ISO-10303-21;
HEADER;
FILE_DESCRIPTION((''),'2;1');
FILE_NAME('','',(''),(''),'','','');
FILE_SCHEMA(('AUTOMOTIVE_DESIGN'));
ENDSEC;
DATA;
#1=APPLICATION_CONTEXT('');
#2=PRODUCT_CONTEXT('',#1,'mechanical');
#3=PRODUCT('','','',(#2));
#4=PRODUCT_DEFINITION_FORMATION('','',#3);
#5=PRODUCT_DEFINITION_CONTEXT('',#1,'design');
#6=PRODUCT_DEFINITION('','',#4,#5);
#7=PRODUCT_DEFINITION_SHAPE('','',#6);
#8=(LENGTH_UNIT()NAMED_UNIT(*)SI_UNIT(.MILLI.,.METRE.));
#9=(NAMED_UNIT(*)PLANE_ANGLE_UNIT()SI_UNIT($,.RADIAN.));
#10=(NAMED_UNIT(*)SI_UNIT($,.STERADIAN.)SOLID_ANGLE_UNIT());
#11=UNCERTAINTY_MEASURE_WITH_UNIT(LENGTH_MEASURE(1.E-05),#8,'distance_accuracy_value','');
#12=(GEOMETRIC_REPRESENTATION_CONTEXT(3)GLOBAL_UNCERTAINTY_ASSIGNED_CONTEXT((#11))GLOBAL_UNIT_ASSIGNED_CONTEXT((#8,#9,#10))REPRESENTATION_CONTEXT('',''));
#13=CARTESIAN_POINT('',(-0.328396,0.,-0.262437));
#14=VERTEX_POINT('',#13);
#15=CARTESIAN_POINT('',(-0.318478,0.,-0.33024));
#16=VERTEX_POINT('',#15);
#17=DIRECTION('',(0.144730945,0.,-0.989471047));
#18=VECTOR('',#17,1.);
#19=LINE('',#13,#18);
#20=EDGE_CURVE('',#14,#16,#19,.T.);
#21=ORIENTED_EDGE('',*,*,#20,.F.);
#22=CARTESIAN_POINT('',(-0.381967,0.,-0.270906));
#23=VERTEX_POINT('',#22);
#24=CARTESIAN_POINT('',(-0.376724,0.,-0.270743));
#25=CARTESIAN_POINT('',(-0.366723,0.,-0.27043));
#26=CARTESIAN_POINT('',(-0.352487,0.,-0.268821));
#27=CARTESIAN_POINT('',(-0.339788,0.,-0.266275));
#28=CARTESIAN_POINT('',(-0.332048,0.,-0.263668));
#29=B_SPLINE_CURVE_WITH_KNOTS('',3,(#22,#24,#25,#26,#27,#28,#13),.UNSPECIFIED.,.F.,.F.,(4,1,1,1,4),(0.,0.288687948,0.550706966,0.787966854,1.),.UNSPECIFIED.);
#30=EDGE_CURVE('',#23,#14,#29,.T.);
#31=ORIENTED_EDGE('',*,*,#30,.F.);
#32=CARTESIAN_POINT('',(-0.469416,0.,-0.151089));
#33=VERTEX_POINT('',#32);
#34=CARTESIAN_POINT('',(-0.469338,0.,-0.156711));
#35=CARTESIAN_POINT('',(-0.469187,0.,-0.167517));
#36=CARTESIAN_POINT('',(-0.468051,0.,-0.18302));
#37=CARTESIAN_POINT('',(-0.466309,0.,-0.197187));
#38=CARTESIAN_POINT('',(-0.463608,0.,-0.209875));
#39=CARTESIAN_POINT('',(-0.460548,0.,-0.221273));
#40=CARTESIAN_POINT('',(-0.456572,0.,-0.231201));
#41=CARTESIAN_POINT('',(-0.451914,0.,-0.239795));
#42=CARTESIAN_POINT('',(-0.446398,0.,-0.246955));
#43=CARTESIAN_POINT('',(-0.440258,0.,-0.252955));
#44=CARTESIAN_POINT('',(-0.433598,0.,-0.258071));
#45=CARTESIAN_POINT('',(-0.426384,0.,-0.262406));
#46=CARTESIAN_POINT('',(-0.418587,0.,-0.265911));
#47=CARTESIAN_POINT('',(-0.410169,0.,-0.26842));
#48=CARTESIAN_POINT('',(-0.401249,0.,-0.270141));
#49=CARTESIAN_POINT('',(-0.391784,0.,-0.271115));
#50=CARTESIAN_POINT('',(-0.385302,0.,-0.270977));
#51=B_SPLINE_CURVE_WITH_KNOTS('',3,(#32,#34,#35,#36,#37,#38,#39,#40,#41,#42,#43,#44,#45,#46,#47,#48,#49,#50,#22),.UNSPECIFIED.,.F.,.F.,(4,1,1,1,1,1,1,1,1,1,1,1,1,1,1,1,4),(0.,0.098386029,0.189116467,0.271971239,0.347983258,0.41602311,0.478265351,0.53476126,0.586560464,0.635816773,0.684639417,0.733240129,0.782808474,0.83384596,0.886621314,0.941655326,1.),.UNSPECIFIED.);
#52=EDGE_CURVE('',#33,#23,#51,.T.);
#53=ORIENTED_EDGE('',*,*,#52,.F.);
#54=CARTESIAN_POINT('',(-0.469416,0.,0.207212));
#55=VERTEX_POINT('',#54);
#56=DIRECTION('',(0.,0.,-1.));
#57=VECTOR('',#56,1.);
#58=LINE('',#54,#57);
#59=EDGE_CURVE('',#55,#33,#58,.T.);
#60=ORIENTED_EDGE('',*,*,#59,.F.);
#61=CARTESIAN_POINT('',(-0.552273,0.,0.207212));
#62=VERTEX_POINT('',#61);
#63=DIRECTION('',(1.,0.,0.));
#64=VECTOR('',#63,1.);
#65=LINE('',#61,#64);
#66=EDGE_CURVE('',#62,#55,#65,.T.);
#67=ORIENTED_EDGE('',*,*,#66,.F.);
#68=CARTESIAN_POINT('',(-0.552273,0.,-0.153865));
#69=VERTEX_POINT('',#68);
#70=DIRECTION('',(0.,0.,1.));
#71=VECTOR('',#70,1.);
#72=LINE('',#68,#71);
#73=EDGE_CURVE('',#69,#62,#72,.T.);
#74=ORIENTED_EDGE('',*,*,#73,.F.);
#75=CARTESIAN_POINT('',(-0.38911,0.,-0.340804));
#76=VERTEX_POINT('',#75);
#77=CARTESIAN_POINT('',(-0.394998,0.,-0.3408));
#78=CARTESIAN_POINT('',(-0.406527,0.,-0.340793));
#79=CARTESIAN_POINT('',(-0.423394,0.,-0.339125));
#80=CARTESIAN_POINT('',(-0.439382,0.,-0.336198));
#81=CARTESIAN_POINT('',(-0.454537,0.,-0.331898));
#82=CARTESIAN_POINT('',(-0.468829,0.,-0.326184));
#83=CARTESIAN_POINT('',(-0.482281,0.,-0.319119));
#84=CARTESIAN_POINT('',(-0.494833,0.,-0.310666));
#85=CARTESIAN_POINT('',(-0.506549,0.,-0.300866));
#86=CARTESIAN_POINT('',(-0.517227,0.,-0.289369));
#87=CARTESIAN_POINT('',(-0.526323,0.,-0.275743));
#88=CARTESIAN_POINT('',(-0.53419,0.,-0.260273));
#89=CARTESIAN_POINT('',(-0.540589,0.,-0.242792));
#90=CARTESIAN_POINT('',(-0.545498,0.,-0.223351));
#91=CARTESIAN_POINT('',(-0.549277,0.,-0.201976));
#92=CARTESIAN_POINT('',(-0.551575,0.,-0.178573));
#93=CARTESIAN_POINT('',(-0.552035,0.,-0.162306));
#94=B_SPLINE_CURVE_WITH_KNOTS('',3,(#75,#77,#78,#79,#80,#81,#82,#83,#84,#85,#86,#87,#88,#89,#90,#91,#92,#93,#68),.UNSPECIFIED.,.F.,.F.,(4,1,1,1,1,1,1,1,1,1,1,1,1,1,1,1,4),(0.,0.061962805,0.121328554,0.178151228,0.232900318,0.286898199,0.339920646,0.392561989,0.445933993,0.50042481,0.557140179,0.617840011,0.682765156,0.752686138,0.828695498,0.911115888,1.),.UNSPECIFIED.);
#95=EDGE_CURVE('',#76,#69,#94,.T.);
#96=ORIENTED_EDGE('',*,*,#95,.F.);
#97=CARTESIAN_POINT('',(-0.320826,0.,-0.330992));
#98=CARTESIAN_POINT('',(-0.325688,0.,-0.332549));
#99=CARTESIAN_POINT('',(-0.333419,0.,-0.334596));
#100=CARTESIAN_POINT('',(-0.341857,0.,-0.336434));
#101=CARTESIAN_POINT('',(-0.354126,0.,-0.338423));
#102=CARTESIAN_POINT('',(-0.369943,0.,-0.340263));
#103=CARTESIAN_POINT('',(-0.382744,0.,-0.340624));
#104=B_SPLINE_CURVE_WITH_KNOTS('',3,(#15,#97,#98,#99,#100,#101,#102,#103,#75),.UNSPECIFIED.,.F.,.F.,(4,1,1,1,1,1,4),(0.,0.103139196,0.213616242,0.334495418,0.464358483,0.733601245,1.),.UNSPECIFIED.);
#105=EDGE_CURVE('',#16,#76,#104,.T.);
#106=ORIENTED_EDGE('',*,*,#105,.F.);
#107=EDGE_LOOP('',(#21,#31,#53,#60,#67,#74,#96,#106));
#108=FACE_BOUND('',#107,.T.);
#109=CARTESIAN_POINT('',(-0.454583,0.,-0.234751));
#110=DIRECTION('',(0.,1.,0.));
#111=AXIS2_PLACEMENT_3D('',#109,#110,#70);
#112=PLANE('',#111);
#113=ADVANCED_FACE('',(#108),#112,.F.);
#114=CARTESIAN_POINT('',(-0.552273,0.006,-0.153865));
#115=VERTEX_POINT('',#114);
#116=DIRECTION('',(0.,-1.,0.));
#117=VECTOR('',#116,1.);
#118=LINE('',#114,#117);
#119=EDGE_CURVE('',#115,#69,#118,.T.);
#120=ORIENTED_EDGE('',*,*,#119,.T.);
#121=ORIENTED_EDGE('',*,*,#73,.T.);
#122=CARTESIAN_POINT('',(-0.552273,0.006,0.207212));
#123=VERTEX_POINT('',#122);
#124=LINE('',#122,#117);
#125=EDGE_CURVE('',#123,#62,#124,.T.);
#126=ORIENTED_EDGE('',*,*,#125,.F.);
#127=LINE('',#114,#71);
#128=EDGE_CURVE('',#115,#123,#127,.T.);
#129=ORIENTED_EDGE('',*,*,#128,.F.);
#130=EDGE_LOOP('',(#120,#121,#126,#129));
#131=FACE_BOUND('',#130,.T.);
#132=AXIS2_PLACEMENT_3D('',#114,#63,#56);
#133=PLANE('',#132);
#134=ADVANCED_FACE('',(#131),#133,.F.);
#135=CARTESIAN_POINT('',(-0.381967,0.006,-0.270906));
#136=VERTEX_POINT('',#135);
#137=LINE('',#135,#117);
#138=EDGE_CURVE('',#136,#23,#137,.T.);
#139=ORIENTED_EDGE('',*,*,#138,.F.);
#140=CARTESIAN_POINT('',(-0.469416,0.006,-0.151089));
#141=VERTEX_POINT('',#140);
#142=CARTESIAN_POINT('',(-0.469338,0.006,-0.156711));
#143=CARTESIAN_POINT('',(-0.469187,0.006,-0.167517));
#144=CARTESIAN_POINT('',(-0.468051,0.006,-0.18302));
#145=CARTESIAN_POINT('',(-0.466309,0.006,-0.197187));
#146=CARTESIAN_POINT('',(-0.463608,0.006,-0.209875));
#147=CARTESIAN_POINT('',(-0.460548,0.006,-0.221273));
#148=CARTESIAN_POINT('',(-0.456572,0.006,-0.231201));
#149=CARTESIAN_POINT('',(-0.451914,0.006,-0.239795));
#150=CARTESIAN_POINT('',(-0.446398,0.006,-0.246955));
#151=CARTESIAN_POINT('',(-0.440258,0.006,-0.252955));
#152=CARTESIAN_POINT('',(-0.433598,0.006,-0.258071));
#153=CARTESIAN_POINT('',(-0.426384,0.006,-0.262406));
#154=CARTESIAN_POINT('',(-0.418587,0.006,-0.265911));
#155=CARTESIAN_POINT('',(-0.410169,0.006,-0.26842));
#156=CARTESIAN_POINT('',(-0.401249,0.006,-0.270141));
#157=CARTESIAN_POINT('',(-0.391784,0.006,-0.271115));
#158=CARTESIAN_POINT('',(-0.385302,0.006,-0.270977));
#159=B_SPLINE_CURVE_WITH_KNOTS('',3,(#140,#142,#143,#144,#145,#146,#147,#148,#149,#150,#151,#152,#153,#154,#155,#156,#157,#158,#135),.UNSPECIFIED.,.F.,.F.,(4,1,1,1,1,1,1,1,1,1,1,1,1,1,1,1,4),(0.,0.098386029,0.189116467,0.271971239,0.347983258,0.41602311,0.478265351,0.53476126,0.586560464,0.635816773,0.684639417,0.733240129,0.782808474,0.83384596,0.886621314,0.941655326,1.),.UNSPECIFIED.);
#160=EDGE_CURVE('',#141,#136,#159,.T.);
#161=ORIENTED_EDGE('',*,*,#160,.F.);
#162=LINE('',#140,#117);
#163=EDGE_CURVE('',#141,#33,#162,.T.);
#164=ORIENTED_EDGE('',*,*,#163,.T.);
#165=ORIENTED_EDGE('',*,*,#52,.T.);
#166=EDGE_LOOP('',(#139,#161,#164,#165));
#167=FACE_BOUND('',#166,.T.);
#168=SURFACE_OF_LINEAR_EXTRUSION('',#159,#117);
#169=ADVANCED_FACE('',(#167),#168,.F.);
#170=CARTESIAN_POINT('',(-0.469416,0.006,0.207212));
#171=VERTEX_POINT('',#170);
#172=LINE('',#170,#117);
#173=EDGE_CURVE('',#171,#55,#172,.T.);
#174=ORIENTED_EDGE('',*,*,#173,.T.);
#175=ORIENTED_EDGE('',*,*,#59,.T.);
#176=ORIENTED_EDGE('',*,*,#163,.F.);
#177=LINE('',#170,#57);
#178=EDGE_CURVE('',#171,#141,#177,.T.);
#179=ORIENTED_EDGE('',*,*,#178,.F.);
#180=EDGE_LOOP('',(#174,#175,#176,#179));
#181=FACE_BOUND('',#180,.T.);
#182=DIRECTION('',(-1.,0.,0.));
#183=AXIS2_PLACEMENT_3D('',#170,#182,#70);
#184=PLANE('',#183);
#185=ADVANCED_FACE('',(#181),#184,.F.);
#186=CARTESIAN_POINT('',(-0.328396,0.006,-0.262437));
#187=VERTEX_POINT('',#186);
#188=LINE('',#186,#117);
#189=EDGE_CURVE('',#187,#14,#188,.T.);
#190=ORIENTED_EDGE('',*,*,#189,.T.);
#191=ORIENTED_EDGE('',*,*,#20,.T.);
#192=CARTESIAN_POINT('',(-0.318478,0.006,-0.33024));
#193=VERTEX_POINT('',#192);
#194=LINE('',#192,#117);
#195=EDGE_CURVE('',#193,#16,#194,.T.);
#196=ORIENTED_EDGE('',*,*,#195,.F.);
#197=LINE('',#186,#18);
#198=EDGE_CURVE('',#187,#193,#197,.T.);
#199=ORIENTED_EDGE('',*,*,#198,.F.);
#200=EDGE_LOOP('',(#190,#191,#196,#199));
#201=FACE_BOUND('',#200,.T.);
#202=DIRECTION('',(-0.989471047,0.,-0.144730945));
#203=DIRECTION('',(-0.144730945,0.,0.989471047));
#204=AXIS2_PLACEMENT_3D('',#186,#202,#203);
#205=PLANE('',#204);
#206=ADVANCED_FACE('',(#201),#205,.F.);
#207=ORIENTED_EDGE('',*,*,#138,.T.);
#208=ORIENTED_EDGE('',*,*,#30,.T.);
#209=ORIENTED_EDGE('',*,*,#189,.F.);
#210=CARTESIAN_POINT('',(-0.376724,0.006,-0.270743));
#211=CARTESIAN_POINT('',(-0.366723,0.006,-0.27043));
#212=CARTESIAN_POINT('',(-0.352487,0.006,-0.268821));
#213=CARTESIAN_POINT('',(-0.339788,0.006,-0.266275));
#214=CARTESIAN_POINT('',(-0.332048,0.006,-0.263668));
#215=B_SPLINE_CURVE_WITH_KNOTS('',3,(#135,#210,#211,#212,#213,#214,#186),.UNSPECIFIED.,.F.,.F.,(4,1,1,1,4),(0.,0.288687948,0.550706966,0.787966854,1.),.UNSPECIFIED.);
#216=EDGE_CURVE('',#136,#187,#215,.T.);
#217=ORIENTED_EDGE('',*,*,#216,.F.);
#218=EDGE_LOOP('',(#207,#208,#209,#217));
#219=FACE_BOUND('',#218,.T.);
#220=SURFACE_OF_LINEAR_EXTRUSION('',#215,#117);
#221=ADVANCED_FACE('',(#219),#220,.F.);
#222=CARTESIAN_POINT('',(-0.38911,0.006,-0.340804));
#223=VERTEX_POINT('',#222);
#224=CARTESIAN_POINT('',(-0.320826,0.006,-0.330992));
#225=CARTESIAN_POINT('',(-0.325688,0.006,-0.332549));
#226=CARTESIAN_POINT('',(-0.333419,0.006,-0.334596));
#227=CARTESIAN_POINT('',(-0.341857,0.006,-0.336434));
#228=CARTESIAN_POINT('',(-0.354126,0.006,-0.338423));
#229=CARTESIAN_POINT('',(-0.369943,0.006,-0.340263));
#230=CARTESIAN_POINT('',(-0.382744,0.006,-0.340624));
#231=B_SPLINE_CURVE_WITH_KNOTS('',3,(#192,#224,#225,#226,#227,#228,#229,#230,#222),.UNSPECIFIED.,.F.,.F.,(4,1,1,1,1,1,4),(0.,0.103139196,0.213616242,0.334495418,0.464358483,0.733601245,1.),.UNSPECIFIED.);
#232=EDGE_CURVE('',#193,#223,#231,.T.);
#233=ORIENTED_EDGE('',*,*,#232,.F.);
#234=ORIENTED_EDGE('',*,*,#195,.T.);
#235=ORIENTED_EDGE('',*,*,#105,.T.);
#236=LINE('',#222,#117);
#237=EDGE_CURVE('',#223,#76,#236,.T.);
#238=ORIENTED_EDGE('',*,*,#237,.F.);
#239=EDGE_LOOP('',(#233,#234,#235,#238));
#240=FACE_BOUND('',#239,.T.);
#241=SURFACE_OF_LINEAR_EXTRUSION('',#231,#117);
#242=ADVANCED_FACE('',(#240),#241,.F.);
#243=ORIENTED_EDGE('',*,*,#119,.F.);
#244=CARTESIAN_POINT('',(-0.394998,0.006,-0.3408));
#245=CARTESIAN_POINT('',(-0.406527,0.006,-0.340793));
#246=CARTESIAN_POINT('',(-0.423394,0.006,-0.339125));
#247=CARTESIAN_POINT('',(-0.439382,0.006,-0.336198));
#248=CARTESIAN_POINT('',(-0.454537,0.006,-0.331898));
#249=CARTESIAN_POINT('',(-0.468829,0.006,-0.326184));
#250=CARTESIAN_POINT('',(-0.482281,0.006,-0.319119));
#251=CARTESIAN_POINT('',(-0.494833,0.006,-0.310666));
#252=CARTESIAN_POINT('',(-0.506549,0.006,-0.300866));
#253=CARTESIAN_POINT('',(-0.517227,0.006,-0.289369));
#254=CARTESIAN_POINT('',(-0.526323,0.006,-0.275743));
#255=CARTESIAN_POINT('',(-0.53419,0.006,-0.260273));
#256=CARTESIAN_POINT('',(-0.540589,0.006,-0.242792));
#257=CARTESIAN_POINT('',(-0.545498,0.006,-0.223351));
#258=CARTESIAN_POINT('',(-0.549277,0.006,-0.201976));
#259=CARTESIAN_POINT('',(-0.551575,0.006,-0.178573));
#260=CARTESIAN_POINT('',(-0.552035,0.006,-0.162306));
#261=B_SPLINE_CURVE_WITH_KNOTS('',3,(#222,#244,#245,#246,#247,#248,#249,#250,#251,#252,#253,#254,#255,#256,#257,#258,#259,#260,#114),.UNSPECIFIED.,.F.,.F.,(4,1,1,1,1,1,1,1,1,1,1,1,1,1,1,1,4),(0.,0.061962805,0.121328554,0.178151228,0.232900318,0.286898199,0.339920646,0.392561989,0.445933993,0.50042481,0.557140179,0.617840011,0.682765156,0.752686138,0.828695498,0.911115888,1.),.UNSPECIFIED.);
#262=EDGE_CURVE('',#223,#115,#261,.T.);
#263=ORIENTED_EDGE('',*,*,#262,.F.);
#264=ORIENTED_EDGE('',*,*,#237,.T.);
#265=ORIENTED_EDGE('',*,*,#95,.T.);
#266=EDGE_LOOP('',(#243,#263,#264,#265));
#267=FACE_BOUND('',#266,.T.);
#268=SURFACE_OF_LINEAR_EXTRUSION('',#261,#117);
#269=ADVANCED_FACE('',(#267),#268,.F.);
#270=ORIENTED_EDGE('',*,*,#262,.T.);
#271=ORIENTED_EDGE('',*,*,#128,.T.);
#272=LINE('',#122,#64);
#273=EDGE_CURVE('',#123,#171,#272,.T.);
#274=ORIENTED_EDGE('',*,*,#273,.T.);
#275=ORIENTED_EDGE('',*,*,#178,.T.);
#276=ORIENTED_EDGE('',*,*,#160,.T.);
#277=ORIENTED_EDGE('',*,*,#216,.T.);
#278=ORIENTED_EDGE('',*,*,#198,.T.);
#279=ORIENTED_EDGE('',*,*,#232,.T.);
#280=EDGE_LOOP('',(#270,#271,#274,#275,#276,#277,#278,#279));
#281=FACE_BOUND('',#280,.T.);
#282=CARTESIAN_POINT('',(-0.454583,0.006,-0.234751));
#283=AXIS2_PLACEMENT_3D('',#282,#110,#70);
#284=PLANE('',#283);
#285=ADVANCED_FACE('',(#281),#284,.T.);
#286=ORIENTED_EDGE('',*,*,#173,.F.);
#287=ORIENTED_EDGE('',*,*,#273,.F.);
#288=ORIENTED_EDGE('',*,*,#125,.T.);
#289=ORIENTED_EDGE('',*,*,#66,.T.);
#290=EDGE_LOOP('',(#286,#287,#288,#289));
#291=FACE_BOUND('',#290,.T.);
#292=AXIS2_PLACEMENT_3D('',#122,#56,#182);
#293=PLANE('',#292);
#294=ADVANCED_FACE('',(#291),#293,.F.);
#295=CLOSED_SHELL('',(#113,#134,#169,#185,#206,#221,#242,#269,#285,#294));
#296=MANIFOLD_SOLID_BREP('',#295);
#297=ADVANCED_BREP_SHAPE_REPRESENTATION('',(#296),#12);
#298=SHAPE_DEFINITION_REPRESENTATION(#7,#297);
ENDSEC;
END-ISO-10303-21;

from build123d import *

# Parameters (mm, degrees)
EXTRUDE_1_DEPTH = 0.006


with BuildPart() as part:
    # Эскиз1 → Бобышка-Вытянуть1 (new body)
    with BuildSketch(Plane(origin=(0, 0, 0), x_dir=(1, 0, 0), z_dir=(0, 1, 0))):
        with BuildLine():
            Line((-0.552273294, -0.207212096), (-0.469416036, -0.207212096))
            Line((-0.469416036, -0.207212096), (-0.469416036, 0.15108915))
            add(Edge.make_bspline(
                [(-0.469416036, 0.15108915), (-0.469337668, 0.156710765), (-0.469187031, 0.167516567), (-0.468051363, 0.183019987), (-0.46630937, 0.197186892), (-0.463608191, 0.209875156), (-0.460547741, 0.221272508), (-0.456571693, 0.23120128), (-0.451914296, 0.239795103), (-0.446397888, 0.246954712), (-0.440258107, 0.252955311), (-0.433597544, 0.258071325), (-0.42638389, 0.262405578), (-0.418587315, 0.265910913), (-0.410168879, 0.268420499), (-0.401249065, 0.270140745), (-0.39178388, 0.27111474), (-0.385302473, 0.27097713), (-0.38196714, 0.270906316)],
                knots=[0, 0, 0, 0, 1.6863e-05, 3.2414e-05, 4.6615e-05, 5.9643e-05, 7.1304e-05, 8.1972e-05, 9.1656e-05, 0.000100534, 0.000108976, 0.000117344, 0.000125674, 0.00013417, 0.000142917, 0.000151963, 0.000161395, 0.000171395, 0.000171395, 0.000171395, 0.000171395], degree=3))
            add(Edge.make_bspline(
                [(-0.38196714, 0.270906316), (-0.376724267, 0.270742629), (-0.366722855, 0.270430378), (-0.352487182, 0.268821302), (-0.339787948, 0.266275374), (-0.332048262, 0.263667602), (-0.328395702, 0.262436926)],
                knots=[0, 0, 0, 0, 1.5731e-05, 3.0008e-05, 4.2936e-05, 5.449e-05, 5.449e-05, 5.449e-05, 5.449e-05], degree=3))
            Line((-0.328395702, 0.262436926), (-0.31847811, 0.330239773))
            add(Edge.make_bspline(
                [(-0.31847811, 0.330239773), (-0.320825798, 0.330991558), (-0.3256882, 0.332548615), (-0.333418866, 0.334595903), (-0.341857288, 0.336433721), (-0.354125933, 0.338423269), (-0.369943112, 0.340262822), (-0.382743691, 0.340624439), (-0.389109999, 0.340804288)],
                knots=[0, 0, 0, 0, 7.394e-06, 1.5315e-05, 2.3981e-05, 3.3292e-05, 5.2595e-05, 7.1694e-05, 7.1694e-05, 7.1694e-05, 7.1694e-05], degree=3))
            add(Edge.make_bspline(
                [(-0.389109999, 0.340804288), (-0.394998076, 0.340800326), (-0.406527444, 0.34079257), (-0.423393567, 0.339124687), (-0.439382173, 0.336197943), (-0.454537126, 0.331897822), (-0.468829459, 0.326183976), (-0.482280707, 0.319119391), (-0.494833003, 0.310665771), (-0.506548755, 0.300866426), (-0.517226948, 0.28936948), (-0.526323341, 0.27574323), (-0.534189517, 0.260273244), (-0.540589361, 0.242792298), (-0.545497563, 0.223351222), (-0.549276642, 0.201976128), (-0.551575084, 0.178573098), (-0.552034776, 0.16230595), (-0.552273294, 0.153865478)],
                knots=[0, 0, 0, 0, 1.7656e-05, 3.4571e-05, 5.0763e-05, 6.6363e-05, 8.1749e-05, 9.6857e-05, 0.000111857, 0.000127065, 0.000142591, 0.000158752, 0.000176048, 0.000194548, 0.000214471, 0.000236129, 0.000259614, 0.000284941, 0.000284941, 0.000284941, 0.000284941], degree=3))
            Line((-0.552273294, 0.153865478), (-0.552273294, -0.207212096))
        make_face()
    extrude(amount=EXTRUDE_1_DEPTH)


solid = part.part
